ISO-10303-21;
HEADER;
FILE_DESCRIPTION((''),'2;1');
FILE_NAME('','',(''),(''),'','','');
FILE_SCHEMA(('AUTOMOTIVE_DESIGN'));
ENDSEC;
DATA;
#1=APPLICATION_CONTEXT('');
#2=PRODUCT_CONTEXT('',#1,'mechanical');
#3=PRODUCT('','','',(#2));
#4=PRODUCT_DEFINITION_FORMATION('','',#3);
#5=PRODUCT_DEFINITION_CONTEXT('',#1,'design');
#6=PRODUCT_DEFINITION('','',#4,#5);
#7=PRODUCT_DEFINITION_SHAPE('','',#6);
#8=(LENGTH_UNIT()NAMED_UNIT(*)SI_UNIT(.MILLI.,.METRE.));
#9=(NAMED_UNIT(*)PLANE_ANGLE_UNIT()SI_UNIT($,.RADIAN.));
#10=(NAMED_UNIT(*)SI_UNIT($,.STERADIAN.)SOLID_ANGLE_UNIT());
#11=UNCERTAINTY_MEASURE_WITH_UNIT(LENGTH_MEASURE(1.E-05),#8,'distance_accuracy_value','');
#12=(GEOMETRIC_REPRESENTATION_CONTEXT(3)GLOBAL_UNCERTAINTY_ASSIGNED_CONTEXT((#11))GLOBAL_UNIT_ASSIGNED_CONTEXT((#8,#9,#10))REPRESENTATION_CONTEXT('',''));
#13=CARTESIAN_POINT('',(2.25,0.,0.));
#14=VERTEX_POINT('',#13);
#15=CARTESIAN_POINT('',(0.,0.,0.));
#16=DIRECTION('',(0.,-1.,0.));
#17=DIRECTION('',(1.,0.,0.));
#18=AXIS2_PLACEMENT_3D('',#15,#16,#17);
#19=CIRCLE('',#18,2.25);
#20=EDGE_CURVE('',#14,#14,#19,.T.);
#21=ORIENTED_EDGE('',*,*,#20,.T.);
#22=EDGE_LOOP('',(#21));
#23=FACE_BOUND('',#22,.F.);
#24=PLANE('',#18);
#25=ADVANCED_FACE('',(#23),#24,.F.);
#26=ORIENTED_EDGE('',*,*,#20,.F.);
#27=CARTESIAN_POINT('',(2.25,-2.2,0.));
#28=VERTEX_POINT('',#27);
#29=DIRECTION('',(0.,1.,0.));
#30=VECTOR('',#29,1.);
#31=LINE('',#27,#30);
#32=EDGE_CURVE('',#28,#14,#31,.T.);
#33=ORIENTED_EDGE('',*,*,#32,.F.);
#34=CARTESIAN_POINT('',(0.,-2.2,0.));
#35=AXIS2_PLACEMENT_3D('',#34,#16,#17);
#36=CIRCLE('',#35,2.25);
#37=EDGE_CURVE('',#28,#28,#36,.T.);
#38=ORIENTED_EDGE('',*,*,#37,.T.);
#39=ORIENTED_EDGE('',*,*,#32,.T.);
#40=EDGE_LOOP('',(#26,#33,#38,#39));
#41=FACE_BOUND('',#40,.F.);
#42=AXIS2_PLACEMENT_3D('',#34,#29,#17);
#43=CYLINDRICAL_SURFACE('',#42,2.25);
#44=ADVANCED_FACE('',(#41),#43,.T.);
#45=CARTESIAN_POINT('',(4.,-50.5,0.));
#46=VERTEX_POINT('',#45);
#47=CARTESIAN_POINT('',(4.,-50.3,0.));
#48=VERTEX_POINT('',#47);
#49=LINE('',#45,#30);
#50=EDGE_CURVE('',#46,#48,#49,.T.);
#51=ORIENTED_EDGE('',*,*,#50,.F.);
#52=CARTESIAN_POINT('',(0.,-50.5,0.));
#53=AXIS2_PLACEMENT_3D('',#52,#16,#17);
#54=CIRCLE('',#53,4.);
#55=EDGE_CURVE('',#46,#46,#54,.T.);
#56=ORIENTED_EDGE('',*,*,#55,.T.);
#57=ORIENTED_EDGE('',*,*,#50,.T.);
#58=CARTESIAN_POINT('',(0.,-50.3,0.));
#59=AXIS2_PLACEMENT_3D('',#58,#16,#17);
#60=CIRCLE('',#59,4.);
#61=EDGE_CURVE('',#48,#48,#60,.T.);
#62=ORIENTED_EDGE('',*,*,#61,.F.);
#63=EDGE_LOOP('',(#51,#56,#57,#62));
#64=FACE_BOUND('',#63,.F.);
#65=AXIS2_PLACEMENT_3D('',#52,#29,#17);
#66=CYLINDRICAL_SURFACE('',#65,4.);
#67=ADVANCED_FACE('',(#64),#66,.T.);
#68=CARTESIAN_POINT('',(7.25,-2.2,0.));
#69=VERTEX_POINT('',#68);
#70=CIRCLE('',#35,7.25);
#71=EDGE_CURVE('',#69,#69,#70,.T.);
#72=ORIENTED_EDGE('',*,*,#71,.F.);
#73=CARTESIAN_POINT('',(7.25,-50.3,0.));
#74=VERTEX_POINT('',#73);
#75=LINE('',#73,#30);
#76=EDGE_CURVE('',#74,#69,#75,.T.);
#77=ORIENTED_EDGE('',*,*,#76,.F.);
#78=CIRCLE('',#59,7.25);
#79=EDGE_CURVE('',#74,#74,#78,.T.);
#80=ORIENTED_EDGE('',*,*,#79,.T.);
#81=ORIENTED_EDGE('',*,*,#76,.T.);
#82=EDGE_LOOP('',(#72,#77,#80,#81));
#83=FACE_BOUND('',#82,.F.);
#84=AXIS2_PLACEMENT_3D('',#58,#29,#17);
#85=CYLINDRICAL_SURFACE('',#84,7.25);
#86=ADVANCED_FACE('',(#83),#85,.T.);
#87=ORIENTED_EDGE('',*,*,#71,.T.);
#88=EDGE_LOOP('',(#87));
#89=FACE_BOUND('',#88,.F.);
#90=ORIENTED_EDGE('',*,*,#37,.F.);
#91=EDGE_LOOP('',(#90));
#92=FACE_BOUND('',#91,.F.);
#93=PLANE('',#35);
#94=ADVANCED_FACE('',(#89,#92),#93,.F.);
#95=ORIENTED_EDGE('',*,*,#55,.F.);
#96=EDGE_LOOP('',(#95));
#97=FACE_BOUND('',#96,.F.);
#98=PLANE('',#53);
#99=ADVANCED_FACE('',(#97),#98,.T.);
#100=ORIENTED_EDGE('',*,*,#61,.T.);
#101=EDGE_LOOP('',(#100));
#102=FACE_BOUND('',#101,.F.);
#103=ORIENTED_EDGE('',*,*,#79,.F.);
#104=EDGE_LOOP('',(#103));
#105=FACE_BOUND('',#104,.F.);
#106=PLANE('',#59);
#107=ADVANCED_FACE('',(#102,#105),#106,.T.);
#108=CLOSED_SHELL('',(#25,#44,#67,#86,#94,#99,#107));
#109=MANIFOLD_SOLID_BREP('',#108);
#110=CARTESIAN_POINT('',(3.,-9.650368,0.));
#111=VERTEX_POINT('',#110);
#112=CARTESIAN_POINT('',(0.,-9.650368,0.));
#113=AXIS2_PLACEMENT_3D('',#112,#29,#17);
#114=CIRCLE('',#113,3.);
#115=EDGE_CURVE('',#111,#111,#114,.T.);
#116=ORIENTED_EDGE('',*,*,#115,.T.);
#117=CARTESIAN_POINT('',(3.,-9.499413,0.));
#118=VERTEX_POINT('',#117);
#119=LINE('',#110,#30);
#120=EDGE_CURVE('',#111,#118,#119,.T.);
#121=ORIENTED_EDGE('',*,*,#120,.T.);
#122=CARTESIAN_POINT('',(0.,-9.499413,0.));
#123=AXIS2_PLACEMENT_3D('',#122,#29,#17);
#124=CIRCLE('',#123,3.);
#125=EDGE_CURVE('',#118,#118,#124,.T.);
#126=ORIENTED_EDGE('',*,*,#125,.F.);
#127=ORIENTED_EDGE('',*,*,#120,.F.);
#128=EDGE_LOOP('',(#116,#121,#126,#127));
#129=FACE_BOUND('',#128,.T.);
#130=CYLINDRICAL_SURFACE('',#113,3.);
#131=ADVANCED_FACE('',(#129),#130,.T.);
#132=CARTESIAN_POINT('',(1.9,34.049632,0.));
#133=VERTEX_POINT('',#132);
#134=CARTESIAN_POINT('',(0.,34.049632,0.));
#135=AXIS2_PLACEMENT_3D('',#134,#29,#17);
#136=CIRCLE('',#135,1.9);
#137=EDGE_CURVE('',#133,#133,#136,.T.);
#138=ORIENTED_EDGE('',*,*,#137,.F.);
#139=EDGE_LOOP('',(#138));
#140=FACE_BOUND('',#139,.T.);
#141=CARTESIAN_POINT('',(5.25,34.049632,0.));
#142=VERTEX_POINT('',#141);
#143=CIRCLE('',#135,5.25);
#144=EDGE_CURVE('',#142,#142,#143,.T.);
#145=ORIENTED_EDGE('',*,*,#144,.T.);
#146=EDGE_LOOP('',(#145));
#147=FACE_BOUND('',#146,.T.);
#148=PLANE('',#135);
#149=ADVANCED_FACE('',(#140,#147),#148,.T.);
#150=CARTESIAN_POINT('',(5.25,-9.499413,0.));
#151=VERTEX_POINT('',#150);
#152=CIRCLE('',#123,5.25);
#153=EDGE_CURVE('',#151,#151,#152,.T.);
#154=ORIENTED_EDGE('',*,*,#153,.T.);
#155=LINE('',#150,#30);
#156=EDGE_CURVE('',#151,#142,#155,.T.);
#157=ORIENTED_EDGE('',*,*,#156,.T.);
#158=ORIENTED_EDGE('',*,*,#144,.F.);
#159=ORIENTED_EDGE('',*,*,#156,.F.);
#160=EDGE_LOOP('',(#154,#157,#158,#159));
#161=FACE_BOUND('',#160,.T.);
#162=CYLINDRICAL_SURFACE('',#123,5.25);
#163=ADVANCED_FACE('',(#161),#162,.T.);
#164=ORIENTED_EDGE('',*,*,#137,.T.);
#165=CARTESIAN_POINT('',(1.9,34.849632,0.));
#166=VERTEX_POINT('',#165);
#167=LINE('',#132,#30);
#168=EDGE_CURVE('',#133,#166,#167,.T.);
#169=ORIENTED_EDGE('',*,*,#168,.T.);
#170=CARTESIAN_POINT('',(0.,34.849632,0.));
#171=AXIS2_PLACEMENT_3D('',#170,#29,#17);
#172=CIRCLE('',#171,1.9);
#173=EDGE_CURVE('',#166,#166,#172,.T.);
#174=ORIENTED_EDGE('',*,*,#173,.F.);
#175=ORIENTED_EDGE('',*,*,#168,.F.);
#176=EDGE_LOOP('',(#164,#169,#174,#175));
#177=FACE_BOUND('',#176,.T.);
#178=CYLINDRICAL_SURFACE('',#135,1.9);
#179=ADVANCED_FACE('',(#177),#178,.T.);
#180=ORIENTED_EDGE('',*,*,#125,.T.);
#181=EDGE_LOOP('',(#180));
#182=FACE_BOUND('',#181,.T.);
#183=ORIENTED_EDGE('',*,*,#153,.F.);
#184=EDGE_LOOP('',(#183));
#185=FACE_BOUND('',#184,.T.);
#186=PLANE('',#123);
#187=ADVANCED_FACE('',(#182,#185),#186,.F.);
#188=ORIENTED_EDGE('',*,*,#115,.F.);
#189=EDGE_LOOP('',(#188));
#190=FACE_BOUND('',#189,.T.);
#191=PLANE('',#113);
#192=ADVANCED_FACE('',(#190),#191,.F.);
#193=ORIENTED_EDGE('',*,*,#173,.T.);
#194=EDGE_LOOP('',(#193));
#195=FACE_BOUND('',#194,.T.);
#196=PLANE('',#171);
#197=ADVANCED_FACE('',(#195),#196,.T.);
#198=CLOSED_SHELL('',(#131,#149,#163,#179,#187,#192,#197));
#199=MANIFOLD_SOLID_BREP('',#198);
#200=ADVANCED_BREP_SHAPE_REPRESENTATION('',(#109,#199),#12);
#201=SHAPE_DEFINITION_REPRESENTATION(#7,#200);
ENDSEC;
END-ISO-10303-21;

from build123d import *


with BuildPart() as f1:
    # F0 (on Top) → F1 (revolve)
    with BuildSketch(Plane.XY):
        Polygon((2.25, 0), (0, 0), (0, -50.5), (4, -50.5), (4, -50.3), (7.25, -50.3), (7.25, -2.2), (2.25, -2.2), align=None)
    revolve(axis=Axis((0, 17.907274, 0), (0, -1, 0)))


with BuildPart() as f3:
    # F2 (on Top) → F3 (revolve)
    with BuildSketch(Plane.XY):
        Polygon((1.9, 34.849632), (0, 34.849632), (0, -9.650368), (3, -9.650368), (3, -9.499413), (5.25, -9.499413), (5.25, 34.049632), (1.9, 34.049632), align=None)
    revolve(axis=Axis((0, 12.599632, 0), (0, 1, 0)))


solid = Compound([f1.part, f3.part])
